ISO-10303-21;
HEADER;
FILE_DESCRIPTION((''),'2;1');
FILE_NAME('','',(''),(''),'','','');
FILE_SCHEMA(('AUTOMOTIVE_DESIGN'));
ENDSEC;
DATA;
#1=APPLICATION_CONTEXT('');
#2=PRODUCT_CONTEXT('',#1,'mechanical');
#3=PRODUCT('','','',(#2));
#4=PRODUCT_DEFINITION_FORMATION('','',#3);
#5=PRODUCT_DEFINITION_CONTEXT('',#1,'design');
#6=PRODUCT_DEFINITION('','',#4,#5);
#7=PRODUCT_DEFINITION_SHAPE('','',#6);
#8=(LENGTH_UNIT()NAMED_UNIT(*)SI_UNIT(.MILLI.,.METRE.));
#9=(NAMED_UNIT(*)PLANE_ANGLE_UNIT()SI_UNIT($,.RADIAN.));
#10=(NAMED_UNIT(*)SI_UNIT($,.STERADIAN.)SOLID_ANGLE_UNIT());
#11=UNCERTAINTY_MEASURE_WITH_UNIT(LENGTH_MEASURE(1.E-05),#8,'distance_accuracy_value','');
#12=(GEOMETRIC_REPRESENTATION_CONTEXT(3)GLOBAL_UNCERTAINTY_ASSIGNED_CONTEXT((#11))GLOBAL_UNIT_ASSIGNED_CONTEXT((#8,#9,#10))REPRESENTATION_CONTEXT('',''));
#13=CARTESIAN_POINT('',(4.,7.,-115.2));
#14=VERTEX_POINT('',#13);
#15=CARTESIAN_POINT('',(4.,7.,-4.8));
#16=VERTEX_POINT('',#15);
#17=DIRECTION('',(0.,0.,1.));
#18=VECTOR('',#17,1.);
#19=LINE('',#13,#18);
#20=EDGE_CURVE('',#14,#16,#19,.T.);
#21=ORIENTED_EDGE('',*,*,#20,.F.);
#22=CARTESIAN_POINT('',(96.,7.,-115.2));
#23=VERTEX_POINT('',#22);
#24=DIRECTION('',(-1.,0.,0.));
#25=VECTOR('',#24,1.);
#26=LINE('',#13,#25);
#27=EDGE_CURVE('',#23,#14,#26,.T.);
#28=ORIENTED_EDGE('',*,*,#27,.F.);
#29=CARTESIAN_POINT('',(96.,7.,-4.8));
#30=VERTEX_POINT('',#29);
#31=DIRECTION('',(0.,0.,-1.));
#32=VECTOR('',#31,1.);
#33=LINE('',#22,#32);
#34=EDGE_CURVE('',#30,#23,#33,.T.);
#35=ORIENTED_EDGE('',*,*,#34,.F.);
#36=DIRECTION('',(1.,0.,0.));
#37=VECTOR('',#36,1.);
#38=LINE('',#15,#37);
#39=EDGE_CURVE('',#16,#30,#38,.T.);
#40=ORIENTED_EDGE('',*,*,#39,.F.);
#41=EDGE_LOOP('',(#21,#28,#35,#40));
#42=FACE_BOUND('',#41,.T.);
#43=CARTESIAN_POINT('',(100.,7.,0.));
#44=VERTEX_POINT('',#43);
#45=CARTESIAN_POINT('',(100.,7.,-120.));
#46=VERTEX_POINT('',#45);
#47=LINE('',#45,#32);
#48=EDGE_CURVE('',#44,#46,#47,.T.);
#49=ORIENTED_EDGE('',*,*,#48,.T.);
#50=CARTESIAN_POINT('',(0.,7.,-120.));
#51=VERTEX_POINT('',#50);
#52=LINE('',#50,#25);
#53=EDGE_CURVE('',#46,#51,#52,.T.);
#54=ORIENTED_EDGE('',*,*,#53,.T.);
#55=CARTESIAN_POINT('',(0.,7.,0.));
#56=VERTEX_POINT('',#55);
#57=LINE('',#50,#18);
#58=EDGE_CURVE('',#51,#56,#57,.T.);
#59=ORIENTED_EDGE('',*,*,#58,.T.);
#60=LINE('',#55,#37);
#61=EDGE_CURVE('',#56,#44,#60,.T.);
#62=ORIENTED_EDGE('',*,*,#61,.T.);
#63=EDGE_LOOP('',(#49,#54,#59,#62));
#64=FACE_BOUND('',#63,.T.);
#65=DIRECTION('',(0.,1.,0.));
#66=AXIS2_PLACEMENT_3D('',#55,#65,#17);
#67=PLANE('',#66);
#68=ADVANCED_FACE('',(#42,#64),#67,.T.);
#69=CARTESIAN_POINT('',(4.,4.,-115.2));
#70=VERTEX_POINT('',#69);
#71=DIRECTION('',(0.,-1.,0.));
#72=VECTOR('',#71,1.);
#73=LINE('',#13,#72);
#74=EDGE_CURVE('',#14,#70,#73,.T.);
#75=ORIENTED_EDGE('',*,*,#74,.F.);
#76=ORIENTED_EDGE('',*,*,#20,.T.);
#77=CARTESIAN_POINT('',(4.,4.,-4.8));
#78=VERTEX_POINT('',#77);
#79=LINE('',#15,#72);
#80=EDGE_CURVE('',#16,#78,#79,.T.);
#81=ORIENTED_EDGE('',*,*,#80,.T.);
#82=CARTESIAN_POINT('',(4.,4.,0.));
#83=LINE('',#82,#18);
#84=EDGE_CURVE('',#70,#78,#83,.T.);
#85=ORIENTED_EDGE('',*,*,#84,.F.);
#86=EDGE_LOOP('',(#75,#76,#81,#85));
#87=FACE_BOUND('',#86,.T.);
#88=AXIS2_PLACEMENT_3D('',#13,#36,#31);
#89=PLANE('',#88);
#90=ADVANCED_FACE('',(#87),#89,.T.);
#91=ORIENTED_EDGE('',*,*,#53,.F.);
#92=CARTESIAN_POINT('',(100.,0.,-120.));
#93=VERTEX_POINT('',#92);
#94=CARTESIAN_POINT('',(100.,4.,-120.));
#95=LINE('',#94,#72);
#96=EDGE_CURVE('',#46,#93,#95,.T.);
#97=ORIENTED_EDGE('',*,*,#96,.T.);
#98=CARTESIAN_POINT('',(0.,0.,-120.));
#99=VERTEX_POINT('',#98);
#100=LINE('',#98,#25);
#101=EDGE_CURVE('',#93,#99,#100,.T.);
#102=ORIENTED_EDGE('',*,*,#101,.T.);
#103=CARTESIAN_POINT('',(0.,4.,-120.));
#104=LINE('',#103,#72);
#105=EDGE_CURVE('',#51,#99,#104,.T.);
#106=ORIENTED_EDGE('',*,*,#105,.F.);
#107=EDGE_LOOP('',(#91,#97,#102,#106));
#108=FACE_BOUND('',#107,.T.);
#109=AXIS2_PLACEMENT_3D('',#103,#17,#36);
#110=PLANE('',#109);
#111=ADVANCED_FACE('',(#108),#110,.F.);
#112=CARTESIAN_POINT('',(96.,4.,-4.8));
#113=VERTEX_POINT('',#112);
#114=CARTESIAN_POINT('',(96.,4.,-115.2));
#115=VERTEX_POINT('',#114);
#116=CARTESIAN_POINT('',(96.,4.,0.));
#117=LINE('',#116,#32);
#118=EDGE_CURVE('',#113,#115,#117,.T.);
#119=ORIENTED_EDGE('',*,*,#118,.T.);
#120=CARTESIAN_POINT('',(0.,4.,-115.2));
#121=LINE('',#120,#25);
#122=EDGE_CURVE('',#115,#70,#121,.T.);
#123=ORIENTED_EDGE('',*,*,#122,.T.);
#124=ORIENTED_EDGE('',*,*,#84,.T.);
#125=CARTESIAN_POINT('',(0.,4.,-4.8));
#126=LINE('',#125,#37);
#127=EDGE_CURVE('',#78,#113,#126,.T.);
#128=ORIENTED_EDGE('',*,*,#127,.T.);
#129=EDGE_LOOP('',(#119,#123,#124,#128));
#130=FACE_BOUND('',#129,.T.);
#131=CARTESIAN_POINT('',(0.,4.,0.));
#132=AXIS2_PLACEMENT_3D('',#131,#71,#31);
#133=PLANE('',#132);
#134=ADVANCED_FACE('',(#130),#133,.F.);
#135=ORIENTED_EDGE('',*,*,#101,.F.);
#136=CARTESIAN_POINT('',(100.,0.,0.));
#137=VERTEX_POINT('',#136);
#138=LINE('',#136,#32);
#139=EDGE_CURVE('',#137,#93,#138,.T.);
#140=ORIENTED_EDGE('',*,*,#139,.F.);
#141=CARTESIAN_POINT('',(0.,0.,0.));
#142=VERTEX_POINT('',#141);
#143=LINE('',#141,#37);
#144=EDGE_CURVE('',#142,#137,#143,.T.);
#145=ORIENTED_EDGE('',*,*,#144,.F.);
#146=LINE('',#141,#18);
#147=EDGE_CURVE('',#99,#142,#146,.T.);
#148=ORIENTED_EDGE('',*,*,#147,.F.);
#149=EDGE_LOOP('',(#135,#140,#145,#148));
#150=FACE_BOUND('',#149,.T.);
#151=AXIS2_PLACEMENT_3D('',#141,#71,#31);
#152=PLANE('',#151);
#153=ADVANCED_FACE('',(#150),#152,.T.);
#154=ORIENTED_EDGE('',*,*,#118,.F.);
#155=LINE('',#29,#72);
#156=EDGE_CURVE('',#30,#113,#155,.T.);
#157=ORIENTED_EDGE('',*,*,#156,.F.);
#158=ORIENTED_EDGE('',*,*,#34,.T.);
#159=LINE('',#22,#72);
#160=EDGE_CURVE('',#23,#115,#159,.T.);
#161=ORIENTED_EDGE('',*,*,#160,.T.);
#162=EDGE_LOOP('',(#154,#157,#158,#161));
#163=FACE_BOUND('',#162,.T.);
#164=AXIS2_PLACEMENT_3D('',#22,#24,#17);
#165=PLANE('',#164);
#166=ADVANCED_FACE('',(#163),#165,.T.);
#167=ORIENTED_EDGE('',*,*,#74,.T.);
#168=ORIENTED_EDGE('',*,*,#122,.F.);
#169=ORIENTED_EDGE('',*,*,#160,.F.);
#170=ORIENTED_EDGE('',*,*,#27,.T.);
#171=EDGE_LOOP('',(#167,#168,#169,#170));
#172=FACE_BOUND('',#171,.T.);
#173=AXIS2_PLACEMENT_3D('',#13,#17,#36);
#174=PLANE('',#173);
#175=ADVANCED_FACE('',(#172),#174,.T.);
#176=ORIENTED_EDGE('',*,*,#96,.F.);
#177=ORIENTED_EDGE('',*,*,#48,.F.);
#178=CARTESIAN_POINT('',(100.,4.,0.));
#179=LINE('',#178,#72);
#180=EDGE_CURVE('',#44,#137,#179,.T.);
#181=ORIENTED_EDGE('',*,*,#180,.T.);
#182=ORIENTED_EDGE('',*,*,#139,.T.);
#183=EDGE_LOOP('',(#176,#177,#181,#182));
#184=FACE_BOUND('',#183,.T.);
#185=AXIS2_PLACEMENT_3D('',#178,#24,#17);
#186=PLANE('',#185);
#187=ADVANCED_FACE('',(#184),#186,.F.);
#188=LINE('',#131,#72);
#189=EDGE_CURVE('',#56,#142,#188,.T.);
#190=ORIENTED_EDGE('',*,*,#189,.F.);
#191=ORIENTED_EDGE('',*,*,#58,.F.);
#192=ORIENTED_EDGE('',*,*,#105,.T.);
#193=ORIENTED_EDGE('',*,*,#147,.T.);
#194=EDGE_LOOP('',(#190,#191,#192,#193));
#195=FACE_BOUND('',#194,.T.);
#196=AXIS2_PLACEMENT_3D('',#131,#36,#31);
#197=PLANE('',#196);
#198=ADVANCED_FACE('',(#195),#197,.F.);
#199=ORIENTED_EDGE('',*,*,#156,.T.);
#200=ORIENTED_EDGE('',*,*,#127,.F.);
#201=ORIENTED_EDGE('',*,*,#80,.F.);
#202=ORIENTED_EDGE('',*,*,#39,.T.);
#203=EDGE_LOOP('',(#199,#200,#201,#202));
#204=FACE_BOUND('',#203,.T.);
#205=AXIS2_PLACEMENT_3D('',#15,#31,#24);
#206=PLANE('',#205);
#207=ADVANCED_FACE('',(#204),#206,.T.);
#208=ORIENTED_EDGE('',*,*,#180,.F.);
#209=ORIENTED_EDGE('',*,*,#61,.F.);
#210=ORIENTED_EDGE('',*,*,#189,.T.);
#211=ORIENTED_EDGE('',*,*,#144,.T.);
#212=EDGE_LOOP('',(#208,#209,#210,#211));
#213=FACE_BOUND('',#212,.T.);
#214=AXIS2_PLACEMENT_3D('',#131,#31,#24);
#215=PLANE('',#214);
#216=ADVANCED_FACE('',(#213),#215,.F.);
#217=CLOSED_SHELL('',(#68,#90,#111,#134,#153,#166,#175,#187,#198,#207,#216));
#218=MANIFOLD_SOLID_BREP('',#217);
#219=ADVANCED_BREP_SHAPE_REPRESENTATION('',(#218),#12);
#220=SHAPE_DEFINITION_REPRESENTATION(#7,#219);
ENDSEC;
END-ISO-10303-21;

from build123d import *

# Parameters (mm, degrees)
ESBO_O1_W                = 100
ESBO_O1_H                = 120
RESSALTO_EXTRUS_O1_DEPTH = 4
ESBO_O3_W                = 100
ESBO_O3_H                = 120
ESBO_O3_W_2              = 92
ESBO_O3_H_2              = 110.4
RESSALTO_EXTRUS_O2_DEPTH = 7


with BuildPart() as part:
    # Esboço1 → Ressalto-extrusão1 (new body)
    with BuildSketch(Plane(origin=(0, 0, 0), x_dir=(1, 0, 0), z_dir=(0, 1, 0))):
        with Locations((50, 60)):
            Rectangle(ESBO_O1_W, ESBO_O1_H)
    extrude(amount=RESSALTO_EXTRUS_O1_DEPTH)

    # Esboço3 → Ressalto-extrusão2 (add)
    with BuildSketch(Plane(origin=(0, 0, 0), x_dir=(1, 0, 0), z_dir=(0, 1, 0))):
        with Locations((50, 60)):
            Rectangle(ESBO_O3_W, ESBO_O3_H)
        with Locations((50, 60)):
            Rectangle(ESBO_O3_W_2, ESBO_O3_H_2, mode=Mode.SUBTRACT)
    extrude(amount=RESSALTO_EXTRUS_O2_DEPTH)


solid = part.part
